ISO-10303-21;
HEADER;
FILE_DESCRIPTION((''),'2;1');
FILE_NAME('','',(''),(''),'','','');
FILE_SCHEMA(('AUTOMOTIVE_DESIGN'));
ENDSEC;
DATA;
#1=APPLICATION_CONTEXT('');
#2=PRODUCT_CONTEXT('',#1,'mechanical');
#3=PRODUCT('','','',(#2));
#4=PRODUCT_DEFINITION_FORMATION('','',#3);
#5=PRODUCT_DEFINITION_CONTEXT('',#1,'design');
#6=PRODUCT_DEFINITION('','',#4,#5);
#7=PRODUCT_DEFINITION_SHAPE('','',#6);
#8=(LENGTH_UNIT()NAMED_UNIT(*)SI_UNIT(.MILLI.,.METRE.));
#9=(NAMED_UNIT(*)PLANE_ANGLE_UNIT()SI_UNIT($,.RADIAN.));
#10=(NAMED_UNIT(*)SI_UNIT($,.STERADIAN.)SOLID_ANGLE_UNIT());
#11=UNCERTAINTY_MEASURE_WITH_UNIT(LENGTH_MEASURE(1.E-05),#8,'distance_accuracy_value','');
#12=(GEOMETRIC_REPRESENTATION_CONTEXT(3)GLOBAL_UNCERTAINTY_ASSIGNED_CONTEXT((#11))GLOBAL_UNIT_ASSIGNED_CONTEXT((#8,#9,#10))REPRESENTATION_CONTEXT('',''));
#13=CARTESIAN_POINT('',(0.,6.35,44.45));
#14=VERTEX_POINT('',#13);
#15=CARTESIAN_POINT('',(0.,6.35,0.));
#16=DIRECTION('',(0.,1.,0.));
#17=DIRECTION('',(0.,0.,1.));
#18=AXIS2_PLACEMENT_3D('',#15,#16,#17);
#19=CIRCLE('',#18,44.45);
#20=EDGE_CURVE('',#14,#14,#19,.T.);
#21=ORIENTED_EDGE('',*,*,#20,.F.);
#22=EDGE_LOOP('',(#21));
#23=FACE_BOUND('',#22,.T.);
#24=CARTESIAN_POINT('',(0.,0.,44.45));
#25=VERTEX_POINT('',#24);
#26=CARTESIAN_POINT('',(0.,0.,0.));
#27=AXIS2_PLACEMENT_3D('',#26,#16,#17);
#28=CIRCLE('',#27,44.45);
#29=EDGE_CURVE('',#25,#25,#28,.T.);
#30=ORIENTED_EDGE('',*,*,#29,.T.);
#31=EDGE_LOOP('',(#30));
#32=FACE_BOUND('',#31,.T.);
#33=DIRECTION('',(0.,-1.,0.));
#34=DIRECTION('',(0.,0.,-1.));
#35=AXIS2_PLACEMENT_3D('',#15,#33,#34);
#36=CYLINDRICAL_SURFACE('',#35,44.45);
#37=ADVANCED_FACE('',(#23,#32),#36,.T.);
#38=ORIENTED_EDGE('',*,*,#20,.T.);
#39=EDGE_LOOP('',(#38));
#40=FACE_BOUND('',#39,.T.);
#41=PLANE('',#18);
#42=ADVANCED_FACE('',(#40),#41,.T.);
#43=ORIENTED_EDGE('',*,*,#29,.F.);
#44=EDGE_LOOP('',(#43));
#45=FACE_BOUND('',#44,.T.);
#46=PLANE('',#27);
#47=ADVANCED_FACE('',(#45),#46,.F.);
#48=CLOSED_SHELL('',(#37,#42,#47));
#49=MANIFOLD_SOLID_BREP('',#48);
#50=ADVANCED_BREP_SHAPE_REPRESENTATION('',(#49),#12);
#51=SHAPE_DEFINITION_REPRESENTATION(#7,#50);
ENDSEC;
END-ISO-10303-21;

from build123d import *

# Parameters (mm, degrees)
SKETCH1_R           = 44.45
BOSS_EXTRUDE1_DEPTH = 6.35


with BuildPart() as part:
    # Sketch1 → Boss-Extrude1 (new body)
    with BuildSketch(Plane(origin=(0, 0, 0), x_dir=(1, 0, 0), z_dir=(0, 1, 0))):
        with Locations(Location((0, 0, 0), (0, 0, 270))):
            Circle(SKETCH1_R)
    extrude(amount=BOSS_EXTRUDE1_DEPTH)


solid = part.part
